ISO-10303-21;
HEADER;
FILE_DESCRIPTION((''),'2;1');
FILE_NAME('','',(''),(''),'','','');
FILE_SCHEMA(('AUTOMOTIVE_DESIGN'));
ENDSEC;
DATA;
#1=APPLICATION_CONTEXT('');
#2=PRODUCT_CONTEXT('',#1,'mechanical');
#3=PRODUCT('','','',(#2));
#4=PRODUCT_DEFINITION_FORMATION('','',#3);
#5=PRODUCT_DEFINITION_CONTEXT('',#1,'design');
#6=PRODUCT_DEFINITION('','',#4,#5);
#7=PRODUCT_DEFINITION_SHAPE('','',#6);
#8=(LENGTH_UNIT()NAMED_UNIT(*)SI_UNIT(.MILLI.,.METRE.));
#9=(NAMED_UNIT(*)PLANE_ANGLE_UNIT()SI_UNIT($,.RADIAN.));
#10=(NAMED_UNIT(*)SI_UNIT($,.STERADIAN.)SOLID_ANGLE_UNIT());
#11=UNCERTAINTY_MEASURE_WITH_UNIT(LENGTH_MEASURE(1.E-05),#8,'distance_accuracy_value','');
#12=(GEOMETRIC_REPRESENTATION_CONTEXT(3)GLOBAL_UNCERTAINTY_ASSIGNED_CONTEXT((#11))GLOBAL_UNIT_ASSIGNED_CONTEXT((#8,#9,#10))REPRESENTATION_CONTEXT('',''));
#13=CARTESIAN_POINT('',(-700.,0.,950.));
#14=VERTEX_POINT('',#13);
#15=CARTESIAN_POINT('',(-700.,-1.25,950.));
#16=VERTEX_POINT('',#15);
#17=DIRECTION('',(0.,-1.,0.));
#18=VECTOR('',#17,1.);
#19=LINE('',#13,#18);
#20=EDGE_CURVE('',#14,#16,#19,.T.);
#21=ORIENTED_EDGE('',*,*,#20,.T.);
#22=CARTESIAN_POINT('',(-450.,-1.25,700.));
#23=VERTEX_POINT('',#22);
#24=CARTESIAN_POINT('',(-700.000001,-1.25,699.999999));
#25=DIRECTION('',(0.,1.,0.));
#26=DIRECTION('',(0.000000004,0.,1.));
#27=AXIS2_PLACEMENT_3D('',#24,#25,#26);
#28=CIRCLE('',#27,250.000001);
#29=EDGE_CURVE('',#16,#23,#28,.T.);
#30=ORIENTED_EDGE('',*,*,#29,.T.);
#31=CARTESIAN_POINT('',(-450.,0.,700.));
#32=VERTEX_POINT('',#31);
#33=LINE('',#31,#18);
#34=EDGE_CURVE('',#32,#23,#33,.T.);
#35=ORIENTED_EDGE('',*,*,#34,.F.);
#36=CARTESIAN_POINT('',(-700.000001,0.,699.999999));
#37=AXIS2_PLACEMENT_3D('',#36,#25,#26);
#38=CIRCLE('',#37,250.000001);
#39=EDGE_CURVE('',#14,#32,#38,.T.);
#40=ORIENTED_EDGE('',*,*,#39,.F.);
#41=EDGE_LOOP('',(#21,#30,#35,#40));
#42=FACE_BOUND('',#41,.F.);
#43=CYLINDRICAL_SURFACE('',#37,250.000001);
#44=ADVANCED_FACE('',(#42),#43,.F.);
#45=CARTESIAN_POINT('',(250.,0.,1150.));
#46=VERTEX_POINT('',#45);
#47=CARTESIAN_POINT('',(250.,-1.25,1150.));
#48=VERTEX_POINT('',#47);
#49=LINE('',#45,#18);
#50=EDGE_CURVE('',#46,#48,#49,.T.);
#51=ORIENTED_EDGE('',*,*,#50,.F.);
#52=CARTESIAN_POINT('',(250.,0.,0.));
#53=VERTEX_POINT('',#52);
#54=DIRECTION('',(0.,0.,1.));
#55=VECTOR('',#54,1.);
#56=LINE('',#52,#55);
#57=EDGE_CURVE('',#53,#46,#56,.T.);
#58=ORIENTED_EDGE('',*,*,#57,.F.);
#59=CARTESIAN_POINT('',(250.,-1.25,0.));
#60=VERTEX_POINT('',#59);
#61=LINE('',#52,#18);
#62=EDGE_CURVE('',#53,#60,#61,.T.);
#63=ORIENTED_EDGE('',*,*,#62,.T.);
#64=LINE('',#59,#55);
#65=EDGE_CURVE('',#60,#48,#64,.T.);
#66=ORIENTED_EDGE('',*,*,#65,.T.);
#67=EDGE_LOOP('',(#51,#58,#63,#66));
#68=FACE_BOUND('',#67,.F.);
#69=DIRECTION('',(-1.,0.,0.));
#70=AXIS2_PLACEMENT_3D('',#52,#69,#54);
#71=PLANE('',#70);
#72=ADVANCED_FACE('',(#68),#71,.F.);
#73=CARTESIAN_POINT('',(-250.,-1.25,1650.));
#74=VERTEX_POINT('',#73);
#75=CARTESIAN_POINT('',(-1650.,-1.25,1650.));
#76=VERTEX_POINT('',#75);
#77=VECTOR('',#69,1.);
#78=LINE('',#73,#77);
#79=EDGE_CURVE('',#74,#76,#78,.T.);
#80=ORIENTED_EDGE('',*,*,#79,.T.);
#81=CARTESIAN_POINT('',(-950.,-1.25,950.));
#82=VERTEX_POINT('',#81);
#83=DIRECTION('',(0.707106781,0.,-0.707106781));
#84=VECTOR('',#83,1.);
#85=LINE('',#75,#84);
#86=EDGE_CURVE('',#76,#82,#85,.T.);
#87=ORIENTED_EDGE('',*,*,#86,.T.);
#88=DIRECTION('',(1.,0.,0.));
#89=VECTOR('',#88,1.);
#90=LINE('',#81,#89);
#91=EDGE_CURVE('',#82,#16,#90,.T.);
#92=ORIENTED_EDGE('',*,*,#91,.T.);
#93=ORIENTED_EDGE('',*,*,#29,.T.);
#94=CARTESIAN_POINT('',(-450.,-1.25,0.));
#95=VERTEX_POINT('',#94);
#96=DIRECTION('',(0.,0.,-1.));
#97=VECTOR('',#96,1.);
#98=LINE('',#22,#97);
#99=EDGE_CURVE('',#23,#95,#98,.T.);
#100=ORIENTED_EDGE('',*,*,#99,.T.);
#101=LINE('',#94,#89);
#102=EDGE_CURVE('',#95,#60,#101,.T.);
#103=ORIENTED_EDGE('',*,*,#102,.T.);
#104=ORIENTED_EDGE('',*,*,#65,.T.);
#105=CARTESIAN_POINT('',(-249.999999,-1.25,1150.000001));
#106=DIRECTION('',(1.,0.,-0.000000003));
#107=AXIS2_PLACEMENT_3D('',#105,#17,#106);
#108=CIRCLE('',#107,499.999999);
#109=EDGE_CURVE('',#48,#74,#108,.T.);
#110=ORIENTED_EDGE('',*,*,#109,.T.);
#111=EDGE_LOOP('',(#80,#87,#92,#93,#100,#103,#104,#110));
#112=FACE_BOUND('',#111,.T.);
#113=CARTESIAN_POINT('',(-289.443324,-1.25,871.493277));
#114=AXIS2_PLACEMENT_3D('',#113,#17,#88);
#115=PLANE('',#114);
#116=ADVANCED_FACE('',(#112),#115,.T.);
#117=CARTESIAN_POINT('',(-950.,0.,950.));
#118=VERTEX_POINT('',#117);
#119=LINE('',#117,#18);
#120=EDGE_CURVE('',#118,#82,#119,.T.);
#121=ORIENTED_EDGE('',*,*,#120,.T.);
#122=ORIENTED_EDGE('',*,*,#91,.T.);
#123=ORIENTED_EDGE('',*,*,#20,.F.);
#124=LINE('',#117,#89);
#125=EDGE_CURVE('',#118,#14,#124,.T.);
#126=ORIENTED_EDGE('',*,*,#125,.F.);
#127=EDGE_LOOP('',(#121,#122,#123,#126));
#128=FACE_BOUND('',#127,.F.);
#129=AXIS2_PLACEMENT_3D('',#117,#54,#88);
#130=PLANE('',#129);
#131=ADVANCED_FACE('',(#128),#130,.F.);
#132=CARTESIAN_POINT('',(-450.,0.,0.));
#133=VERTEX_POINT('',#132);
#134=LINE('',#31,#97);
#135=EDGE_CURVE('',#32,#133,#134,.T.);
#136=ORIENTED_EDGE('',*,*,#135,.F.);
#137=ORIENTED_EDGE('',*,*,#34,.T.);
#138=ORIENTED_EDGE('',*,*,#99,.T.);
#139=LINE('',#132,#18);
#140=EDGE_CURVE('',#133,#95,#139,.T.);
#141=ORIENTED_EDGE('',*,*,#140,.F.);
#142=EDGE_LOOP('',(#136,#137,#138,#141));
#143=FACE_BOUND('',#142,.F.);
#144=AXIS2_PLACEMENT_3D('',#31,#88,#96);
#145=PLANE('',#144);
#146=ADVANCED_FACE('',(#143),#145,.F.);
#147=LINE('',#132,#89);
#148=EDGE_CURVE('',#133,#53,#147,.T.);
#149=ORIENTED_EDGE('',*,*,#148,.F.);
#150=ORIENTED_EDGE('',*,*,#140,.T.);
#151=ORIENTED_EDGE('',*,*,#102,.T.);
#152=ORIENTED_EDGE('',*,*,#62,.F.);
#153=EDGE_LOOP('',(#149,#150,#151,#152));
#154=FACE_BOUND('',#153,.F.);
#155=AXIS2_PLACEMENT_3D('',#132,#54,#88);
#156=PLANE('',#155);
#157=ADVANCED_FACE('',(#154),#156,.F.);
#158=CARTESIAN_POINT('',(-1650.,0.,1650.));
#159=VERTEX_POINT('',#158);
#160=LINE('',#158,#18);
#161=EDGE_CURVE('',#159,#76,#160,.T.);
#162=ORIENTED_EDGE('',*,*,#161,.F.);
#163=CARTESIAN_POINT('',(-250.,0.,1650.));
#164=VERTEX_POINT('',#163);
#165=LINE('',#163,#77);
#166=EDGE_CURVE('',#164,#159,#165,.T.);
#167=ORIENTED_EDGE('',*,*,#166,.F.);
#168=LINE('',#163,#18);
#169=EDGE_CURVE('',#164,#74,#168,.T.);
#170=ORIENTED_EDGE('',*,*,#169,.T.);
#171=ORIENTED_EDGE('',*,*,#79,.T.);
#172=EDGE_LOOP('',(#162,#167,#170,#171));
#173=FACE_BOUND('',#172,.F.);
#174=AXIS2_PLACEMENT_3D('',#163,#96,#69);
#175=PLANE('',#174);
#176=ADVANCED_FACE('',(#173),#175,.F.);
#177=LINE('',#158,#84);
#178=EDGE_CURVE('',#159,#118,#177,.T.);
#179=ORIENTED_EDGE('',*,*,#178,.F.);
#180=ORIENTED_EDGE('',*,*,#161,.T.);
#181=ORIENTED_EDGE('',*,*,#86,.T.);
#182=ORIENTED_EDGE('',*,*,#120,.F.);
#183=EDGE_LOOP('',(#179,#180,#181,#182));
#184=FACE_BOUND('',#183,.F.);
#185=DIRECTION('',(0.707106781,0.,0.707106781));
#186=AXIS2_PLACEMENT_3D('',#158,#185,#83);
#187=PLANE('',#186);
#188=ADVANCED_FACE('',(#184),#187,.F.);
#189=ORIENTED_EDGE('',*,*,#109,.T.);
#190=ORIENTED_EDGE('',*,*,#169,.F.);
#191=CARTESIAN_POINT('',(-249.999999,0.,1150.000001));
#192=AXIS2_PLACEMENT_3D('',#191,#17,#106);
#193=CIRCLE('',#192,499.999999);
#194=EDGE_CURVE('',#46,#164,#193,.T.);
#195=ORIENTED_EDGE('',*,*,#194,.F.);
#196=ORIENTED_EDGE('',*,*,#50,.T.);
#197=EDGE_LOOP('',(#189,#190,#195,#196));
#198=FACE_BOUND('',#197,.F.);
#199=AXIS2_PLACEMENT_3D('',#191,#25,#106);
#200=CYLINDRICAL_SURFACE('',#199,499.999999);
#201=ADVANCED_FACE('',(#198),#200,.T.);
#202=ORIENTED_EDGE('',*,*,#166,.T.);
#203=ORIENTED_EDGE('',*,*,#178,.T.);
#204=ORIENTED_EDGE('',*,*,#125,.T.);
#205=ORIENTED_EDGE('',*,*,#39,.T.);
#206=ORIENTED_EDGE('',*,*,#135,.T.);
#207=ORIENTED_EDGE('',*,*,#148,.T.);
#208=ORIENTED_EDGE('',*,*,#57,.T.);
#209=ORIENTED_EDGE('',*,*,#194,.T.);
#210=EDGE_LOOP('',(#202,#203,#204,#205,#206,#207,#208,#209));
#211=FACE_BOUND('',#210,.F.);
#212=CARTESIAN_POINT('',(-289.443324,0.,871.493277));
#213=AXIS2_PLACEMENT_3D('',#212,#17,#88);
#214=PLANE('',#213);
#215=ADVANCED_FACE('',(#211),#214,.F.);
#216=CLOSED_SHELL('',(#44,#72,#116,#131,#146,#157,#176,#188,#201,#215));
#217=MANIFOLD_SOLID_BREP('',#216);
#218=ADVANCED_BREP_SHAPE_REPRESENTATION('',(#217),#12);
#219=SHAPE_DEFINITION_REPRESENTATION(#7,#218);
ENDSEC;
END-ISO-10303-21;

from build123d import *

# Parameters (mm, degrees)
F1_DEPTH = 1.25


with BuildPart() as f1:
    # F0 (on Front) → F1 (new body)
    with BuildSketch(Plane.XZ):
        with BuildLine():
            Line((-450, 0), (0, 0))
            Line((0, 0), (250, 0))
            Line((250, 0), (250, 1150))
            ThreePointArc((250, 1150), (103.553391, 1503.553391), (-250, 1650))
            Line((-250, 1650), (-950, 1650))
            Line((-950, 1650), (-950, 950))
            Line((-950, 950), (-700, 950))
            ThreePointArc((-700, 950), (-523.223305, 876.776695), (-450, 700))
            Line((-450, 700), (-450, 0))
        make_face()
        Polygon((-1650, 1650), (-950, 950), (-950, 1650), align=None)
    extrude(amount=F1_DEPTH)


solid = f1.part
